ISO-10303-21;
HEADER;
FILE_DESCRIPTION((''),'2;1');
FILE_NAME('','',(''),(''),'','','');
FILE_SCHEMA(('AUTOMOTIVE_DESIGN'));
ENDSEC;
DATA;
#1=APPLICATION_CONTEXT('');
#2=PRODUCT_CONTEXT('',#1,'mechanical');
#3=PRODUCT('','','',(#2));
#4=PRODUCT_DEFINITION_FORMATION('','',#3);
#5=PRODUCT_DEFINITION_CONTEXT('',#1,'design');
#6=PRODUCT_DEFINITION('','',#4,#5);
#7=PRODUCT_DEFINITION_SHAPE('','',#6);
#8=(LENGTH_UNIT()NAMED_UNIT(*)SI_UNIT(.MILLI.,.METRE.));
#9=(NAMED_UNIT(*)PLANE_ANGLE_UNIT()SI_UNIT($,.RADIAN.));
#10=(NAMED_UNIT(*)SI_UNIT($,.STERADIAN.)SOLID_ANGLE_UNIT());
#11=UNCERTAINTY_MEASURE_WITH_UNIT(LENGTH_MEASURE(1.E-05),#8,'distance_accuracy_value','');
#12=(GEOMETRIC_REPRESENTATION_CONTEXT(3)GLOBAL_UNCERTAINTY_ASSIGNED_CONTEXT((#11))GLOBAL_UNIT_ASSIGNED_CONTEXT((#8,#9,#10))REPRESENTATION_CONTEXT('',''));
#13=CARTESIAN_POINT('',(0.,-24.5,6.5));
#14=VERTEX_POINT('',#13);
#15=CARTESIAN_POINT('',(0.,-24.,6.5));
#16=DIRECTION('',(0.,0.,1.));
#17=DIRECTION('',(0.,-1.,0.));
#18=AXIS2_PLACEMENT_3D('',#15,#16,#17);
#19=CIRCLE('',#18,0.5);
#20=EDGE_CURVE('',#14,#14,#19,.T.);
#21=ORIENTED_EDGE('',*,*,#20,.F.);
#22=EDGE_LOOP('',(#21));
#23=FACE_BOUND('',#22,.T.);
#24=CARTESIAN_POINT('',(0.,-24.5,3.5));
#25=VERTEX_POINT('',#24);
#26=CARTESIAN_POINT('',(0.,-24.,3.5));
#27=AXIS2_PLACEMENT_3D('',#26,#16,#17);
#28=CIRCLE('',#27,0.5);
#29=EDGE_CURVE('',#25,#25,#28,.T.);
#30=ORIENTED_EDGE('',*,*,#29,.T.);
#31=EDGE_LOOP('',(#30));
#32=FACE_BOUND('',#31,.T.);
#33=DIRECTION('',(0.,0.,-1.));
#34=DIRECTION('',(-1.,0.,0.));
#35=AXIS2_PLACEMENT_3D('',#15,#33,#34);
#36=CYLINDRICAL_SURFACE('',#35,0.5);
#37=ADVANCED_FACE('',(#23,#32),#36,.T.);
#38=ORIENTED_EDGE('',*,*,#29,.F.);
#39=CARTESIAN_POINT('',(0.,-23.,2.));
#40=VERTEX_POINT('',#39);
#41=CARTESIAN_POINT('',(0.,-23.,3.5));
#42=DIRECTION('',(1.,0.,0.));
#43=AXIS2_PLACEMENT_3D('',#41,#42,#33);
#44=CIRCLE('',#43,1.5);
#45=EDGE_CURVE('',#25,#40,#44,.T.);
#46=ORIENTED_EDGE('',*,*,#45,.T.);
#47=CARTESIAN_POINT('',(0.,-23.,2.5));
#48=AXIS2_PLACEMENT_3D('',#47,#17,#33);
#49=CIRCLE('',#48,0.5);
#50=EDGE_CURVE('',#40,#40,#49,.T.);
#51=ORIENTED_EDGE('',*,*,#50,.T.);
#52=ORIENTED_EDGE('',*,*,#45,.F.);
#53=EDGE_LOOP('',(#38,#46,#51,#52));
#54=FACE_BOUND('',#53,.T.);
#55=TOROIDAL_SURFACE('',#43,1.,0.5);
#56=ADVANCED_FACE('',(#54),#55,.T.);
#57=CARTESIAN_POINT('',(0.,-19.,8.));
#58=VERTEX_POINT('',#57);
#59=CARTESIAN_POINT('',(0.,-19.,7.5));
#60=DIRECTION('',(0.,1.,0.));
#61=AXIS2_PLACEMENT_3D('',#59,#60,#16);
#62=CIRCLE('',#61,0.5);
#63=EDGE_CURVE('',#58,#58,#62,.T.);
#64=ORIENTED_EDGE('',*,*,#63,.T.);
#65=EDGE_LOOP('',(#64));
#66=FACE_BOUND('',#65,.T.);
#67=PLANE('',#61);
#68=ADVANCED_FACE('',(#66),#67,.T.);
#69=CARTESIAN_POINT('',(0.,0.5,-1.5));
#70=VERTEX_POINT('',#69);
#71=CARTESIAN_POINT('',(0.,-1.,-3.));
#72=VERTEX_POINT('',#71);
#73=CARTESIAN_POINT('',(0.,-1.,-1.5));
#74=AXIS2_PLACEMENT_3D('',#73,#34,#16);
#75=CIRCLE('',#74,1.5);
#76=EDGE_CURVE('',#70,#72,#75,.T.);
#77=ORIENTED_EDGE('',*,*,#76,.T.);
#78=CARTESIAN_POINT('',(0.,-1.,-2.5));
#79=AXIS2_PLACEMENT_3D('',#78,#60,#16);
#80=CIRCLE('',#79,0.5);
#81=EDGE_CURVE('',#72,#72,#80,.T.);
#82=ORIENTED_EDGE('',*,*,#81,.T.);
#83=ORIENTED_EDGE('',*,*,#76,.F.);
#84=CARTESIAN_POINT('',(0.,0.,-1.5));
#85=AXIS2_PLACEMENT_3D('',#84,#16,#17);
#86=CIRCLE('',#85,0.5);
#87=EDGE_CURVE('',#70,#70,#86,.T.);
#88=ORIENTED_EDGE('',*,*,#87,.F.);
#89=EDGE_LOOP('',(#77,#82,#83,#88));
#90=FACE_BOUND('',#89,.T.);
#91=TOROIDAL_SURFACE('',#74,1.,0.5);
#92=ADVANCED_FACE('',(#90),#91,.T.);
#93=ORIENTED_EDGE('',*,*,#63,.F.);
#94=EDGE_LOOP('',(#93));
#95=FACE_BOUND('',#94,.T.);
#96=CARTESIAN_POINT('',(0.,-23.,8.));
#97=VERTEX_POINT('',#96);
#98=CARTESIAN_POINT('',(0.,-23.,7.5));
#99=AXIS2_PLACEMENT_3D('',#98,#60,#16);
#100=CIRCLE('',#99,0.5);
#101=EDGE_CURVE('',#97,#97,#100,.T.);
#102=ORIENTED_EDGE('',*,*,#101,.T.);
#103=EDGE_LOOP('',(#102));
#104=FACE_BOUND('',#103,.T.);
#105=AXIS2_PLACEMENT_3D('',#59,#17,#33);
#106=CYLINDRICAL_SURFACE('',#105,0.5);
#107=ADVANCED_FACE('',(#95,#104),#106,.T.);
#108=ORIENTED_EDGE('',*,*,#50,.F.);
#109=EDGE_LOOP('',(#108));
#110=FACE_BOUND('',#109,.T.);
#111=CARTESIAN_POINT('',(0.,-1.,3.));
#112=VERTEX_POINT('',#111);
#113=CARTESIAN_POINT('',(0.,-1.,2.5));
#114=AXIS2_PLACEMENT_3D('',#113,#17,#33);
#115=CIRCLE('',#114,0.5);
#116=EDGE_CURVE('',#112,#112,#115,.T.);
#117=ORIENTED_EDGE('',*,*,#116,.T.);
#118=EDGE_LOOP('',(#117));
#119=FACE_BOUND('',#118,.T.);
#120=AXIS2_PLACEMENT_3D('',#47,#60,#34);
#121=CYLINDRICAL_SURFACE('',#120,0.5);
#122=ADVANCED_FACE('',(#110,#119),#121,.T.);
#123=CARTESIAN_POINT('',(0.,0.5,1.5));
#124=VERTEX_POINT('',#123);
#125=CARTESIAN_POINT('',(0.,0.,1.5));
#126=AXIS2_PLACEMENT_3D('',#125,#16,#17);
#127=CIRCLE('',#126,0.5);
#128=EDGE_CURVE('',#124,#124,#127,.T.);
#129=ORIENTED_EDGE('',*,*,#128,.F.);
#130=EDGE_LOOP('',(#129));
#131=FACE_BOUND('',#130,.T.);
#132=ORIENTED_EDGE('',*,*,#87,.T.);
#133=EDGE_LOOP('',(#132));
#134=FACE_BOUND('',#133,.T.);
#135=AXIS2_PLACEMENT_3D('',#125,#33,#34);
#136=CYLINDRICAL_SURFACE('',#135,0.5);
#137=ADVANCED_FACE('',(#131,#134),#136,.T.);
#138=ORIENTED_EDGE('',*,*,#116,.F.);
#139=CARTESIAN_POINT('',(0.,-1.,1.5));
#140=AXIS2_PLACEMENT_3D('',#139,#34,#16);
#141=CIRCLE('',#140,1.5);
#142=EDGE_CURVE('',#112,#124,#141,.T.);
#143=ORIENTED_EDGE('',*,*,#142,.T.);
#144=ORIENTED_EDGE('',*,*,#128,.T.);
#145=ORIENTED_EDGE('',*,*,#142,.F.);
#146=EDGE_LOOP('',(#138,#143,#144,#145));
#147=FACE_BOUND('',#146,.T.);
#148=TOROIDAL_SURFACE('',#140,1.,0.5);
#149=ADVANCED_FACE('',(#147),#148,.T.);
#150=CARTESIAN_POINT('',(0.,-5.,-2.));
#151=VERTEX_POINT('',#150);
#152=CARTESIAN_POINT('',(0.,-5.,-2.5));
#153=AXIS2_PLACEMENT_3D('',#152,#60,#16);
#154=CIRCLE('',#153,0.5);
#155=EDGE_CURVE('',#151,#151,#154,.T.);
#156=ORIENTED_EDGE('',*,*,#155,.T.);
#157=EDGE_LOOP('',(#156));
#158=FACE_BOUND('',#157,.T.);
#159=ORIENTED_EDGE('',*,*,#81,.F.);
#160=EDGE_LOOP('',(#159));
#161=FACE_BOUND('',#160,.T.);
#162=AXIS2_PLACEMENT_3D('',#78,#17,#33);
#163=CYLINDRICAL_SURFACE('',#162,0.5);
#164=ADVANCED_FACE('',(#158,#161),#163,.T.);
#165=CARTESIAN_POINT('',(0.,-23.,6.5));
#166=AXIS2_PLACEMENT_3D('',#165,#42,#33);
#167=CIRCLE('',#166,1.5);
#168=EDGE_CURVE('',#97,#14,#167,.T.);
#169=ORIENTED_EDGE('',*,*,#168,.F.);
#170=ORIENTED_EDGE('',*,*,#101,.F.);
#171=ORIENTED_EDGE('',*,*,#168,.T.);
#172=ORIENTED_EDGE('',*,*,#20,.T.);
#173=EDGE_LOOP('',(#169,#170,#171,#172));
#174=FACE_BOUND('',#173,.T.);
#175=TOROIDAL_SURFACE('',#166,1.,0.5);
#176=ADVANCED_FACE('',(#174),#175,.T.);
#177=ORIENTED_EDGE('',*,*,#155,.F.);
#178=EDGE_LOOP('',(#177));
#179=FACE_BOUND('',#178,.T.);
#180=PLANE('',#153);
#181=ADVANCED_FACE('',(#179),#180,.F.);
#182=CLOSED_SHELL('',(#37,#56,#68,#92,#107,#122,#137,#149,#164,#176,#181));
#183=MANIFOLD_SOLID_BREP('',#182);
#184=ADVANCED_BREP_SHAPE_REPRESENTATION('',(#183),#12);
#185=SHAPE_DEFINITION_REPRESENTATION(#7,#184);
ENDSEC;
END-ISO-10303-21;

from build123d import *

# Parameters (mm, degrees)
SWEEP1_PROFILE_R = 0.5


with BuildPart() as part:
    # Sweep1: sweep along a curve in space
    with BuildLine() as sweep1_path:
        Line((0, -1, -2.5), (0, -5, -2.5))
        ThreePointArc((0, 0, -1.5), (0, -0.292893219, -2.207106781), (0, -1, -2.5))
        Line((0, 0, -1.5), (0, 0, 1.5))
        ThreePointArc((0, 0, 1.5), (0, -0.292893219, 2.207106781), (0, -1, 2.5))
        Line((0, -1, 2.5), (0, -23, 2.5))
        ThreePointArc((0, -23, 2.5), (0, -23.707106781, 2.792893219), (0, -24, 3.5))
        Line((0, -24, 3.5), (0, -24, 6.5))
        ThreePointArc((0, -24, 6.5), (0, -23.707106781, 7.207106781), (0, -23, 7.5))
        Line((0, -23, 7.5), (0, -19, 7.5))
    # Sweep1 profile (on start of the path) → Sweep1 (sweep)
    with BuildSketch(Plane(origin=(0, -19, 7.5), x_dir=(0, 0, -1), z_dir=(0, -1, 0))):
        Circle(SWEEP1_PROFILE_R)
    sweep(path=sweep1_path.line)


solid = part.part
